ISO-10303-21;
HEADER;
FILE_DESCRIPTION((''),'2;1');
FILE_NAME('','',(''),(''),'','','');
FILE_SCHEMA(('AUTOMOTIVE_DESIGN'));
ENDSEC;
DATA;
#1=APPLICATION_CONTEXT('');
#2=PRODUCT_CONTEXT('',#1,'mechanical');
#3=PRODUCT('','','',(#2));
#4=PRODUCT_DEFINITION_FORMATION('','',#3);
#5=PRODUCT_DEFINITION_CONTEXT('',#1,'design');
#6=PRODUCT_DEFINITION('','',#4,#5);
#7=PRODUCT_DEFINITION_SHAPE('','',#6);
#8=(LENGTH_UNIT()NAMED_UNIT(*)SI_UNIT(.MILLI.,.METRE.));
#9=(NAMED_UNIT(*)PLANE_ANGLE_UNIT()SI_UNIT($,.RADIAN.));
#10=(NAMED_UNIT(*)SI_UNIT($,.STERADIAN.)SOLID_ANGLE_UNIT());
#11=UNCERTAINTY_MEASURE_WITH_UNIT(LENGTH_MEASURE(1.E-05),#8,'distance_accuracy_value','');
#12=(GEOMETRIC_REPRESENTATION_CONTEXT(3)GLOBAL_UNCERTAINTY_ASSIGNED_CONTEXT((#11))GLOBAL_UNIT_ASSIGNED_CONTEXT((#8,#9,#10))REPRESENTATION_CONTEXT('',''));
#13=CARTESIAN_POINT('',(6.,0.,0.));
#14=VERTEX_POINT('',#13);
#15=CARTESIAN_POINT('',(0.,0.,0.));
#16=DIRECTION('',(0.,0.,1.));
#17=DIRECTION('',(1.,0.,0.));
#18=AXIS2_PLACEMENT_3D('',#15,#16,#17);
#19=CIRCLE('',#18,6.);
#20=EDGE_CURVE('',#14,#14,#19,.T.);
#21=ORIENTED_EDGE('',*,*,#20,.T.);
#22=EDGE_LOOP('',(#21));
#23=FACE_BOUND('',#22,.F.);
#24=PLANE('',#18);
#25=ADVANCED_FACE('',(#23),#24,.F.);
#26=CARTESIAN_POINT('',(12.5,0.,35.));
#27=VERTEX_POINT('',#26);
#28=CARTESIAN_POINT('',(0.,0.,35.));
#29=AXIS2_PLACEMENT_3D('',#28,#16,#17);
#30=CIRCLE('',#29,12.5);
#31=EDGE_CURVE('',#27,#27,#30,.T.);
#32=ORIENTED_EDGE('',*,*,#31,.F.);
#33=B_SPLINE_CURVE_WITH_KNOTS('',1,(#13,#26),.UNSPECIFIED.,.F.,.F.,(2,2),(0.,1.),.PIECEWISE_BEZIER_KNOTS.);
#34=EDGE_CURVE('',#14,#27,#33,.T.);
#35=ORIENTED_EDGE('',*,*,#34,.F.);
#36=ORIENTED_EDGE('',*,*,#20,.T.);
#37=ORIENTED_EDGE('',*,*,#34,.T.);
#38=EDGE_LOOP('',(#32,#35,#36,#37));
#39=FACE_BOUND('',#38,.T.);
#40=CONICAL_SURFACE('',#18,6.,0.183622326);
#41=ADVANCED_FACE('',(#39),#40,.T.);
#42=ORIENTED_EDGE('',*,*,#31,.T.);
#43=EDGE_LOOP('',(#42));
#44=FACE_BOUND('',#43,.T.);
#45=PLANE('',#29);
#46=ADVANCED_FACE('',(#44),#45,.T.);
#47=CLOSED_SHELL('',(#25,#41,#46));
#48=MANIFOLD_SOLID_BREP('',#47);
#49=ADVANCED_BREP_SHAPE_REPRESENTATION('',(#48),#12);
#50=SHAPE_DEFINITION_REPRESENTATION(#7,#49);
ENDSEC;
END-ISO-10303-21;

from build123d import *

# Parameters (mm, degrees)
F0_R = 6
F3_R = 12.5


with BuildPart() as f4:
    # F0 (on Top) → F4 section 0
    with BuildSketch(Plane.XY):
        Circle(F0_R)
    # F3 (on face) → F4 section 1
    with BuildSketch(Plane.XY.offset(35)):
        Circle(F3_R)
    loft()


solid = f4.part
